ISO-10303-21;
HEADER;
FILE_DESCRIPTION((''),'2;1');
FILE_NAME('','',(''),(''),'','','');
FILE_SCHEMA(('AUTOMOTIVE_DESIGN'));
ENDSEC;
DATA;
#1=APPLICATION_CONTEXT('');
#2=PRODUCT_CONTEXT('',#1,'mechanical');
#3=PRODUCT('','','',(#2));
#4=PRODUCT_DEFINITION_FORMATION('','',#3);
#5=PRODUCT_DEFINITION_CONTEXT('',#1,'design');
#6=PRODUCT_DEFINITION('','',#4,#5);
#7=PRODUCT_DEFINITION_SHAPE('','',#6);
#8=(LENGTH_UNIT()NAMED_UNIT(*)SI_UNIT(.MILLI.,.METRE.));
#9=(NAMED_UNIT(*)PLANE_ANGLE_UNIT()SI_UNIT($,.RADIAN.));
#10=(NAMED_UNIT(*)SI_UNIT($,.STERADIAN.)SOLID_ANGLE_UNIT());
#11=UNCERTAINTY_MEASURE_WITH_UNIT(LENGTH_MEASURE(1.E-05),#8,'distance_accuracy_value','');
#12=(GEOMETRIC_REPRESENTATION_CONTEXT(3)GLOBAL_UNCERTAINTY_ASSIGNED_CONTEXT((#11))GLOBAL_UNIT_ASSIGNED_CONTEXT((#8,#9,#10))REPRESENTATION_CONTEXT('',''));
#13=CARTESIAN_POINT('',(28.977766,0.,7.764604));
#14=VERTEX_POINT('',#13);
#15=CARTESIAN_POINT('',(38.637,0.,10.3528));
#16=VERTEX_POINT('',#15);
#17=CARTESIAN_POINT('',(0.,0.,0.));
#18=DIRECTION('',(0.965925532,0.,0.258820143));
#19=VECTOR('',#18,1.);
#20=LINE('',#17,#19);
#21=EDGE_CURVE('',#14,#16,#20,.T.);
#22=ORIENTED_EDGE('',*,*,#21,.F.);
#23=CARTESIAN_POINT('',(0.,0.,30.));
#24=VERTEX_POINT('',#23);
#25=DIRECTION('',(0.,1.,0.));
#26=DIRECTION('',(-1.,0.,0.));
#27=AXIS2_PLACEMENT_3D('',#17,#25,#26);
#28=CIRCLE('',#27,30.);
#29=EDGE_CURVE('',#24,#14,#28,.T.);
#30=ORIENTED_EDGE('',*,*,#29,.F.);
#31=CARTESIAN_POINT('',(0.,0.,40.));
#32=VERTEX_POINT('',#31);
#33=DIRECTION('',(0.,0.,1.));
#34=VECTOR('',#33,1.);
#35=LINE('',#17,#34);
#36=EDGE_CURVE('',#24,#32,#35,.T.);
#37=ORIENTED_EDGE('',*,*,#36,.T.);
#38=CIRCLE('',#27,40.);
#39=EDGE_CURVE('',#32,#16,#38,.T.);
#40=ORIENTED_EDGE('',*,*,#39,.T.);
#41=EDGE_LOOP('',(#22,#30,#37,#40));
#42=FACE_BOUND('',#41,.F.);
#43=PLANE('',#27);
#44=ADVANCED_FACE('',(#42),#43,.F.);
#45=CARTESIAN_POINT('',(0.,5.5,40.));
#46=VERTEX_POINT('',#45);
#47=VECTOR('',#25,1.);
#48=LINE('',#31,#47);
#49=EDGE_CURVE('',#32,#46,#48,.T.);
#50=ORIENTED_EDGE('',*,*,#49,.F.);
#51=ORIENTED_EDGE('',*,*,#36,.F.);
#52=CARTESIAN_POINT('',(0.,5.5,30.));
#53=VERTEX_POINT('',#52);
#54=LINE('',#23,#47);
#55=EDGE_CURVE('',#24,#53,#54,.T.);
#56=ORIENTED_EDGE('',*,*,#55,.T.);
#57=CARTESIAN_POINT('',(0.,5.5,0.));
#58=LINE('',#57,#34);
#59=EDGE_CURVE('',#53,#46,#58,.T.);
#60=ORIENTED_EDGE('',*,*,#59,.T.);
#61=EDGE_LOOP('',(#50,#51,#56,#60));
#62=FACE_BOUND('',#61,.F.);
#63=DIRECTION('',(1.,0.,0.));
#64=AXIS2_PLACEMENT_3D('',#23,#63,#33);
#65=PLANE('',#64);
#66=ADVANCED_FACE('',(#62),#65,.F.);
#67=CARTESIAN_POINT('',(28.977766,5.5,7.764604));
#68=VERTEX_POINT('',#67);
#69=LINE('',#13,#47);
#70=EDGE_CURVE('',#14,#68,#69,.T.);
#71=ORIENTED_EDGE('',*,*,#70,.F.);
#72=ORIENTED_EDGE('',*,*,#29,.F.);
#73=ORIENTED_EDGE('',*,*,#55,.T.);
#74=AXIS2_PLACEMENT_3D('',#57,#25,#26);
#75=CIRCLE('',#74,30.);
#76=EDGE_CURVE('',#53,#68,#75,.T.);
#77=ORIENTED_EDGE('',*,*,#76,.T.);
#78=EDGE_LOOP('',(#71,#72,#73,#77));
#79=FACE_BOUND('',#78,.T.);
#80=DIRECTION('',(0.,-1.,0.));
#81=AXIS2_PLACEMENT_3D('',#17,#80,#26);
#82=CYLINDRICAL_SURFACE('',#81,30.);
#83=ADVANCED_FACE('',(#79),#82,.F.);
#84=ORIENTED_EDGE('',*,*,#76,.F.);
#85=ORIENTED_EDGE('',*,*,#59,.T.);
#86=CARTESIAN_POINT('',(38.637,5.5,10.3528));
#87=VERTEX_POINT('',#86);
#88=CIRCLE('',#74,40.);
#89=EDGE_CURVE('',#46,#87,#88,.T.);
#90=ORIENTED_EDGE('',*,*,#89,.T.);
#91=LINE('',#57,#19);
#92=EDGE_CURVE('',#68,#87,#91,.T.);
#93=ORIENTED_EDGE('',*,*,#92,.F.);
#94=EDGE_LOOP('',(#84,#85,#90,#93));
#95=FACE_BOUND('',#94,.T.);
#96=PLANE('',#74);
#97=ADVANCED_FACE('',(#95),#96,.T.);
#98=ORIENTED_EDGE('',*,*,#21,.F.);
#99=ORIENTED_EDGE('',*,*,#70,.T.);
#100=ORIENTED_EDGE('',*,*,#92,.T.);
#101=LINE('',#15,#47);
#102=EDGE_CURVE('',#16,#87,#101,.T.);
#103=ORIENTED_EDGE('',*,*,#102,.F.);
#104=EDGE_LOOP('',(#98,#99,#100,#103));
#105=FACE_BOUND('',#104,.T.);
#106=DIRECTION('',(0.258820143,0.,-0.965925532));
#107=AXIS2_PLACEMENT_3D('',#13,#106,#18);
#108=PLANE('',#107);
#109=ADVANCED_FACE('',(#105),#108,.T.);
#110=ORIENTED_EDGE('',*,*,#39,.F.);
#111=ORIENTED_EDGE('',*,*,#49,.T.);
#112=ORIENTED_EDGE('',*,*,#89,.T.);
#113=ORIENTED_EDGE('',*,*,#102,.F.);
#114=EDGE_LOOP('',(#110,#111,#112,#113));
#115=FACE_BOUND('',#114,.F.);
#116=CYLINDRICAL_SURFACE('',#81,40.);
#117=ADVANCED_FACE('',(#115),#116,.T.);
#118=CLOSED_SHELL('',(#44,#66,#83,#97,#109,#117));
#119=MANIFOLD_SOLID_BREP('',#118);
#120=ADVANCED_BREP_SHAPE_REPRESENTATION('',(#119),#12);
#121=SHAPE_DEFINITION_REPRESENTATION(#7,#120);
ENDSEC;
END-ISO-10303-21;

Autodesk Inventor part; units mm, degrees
ref_plane "YZ Plane" through (0, 0, 0) normal (1, 0, 0) x (0, 1, 0)
ref_plane "XZ Plane" through (0, 0, 0) normal (0, 1, 0) x (-1, 0, 0)
ref_plane "XY Plane" through (0, 0, 0) normal (0, 0, 1) x (1, 0, 0)
sketch "スケッチ1" plane through (0, 0, 0) normal (0, 1, 0) x (-1, 0, 0)
  circle A0 centre (0, 0) radius 40
  circle A1 centre (0, 0) radius 30
  line L0 (0, 0) -> (0, 40)
  line L1 (0, 0) -> (-38.637, 10.3528)
  point P0 (-28.9778, 7.7646)
  point P1 (0, 30)
  dimension "d0" = 60
  dimension "d1" = 10
  dimension "d2" = 75
extrude "押し出し1" add sketch "スケッチ1" along normal blind 5.5 contours L0 A1 L1 A0 picked at (-10.6852, 34.8643)
properties part number "gear_plate_cover_3" material "木材 (カエデ材)"
